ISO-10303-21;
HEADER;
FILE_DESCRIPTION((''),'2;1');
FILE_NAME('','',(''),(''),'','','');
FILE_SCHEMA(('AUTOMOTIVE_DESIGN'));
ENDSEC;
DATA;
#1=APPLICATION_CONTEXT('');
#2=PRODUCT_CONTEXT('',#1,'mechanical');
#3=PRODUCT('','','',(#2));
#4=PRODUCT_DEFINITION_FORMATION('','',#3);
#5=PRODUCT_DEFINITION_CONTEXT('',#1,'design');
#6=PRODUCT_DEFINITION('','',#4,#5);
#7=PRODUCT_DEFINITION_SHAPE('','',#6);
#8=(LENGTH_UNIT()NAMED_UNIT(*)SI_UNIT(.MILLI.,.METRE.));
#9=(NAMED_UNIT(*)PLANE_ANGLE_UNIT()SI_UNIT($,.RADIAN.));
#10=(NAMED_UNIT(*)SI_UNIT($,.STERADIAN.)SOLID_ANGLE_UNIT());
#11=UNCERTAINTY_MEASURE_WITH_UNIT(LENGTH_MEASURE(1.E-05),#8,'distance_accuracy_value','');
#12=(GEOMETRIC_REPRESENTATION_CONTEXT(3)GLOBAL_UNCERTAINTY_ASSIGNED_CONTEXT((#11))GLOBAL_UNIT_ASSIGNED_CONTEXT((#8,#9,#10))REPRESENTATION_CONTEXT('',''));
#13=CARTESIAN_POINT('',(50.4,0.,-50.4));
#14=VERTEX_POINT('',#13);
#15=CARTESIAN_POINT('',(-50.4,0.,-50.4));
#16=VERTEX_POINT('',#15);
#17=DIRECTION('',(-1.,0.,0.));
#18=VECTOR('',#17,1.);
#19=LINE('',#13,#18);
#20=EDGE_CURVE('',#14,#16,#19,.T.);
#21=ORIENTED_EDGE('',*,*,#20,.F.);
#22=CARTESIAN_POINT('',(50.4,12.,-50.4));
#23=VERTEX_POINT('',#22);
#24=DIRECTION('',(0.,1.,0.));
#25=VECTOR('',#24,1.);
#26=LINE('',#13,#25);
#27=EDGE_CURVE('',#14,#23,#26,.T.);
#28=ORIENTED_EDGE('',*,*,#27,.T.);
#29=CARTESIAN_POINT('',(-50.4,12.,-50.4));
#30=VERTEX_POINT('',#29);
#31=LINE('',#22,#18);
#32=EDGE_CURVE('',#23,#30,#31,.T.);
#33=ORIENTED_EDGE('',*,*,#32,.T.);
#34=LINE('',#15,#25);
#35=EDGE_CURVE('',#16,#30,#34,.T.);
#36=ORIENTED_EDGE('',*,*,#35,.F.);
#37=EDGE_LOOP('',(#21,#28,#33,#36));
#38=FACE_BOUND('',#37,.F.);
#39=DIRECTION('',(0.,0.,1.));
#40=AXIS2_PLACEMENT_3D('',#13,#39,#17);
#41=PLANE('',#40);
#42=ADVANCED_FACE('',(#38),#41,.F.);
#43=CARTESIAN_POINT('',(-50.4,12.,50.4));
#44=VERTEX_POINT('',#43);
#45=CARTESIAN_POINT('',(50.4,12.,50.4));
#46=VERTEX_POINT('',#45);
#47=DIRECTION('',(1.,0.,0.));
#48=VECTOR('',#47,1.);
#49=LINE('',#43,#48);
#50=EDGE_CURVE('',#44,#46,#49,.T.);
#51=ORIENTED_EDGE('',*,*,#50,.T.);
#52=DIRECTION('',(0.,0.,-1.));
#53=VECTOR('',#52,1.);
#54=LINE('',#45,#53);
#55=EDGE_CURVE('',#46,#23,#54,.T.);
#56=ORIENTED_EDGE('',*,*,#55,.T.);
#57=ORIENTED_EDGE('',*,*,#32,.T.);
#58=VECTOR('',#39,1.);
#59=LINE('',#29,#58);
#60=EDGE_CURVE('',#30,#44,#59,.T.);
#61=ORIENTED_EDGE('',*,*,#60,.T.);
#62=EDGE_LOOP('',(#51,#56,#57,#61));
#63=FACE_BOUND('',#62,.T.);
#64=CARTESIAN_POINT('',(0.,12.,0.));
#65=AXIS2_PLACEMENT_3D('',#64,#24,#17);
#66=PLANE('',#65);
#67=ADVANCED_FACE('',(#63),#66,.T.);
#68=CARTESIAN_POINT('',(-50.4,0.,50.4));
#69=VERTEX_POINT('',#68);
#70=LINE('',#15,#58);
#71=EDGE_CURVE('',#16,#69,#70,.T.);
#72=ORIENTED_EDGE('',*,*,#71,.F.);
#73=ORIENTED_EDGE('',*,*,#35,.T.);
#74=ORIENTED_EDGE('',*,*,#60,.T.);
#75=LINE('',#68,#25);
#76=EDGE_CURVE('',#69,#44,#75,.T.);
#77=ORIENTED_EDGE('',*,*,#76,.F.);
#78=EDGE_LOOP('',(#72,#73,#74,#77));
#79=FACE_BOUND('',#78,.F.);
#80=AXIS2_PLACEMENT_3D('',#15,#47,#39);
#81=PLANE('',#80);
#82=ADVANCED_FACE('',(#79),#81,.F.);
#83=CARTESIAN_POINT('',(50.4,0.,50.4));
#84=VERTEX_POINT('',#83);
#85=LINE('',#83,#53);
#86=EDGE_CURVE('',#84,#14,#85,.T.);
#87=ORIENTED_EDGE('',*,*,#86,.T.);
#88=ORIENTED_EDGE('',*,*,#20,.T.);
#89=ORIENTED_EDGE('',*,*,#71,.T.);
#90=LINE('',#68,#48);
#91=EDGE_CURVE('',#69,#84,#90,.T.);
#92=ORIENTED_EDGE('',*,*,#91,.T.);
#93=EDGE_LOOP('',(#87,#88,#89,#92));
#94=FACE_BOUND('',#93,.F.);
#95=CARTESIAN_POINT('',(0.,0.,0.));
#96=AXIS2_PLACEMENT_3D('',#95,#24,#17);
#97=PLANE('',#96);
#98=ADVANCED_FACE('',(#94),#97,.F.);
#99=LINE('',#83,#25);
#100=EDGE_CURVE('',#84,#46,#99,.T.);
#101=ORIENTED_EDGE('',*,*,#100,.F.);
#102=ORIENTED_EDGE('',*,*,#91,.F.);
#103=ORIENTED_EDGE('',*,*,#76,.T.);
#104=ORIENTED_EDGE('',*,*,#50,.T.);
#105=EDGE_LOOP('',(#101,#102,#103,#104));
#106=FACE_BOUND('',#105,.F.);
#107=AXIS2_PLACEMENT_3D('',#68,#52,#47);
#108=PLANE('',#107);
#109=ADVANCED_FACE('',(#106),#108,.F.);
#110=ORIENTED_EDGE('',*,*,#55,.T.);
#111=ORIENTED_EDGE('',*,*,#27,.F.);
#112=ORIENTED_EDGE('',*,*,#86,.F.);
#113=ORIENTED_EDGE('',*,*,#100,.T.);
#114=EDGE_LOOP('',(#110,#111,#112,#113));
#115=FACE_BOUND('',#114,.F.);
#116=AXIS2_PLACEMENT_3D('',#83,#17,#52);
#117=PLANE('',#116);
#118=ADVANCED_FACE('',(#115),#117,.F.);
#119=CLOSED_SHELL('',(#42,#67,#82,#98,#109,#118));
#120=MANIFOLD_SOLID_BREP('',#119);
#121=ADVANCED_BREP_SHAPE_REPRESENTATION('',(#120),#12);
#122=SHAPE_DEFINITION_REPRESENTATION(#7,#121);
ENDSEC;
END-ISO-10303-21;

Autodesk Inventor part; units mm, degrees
ref_plane "YZ Plane" through (0, 0, 0) normal (1, 0, 0) x (0, 1, 0)
ref_plane "XZ Plane" through (0, 0, 0) normal (0, 1, 0) x (-1, 0, 0)
ref_plane "XY Plane" through (0, 0, 0) normal (0, 0, 1) x (1, 0, 0)
sketch "Sketch1" plane through (0, 0, 0) normal (0, 1, 0) x (-1, 0, 0)
  line L0 (50.4, 50.4) -> (-50.4, 50.4)
  line L1 (-50.4, 50.4) -> (-50.4, -50.4)
  line L2 (-50.4, -50.4) -> (50.4, -50.4)
  line L3 (50.4, -50.4) -> (50.4, 50.4)
  point P0 (0, 0)
  point P1 (0, -50.4)
  point P2 (50.4, 0)
  dimension "d0" = 100.8
extrude "Extrusion1" add sketch "Sketch1" along normal blind 12
properties part number "Sheet_12mm"
